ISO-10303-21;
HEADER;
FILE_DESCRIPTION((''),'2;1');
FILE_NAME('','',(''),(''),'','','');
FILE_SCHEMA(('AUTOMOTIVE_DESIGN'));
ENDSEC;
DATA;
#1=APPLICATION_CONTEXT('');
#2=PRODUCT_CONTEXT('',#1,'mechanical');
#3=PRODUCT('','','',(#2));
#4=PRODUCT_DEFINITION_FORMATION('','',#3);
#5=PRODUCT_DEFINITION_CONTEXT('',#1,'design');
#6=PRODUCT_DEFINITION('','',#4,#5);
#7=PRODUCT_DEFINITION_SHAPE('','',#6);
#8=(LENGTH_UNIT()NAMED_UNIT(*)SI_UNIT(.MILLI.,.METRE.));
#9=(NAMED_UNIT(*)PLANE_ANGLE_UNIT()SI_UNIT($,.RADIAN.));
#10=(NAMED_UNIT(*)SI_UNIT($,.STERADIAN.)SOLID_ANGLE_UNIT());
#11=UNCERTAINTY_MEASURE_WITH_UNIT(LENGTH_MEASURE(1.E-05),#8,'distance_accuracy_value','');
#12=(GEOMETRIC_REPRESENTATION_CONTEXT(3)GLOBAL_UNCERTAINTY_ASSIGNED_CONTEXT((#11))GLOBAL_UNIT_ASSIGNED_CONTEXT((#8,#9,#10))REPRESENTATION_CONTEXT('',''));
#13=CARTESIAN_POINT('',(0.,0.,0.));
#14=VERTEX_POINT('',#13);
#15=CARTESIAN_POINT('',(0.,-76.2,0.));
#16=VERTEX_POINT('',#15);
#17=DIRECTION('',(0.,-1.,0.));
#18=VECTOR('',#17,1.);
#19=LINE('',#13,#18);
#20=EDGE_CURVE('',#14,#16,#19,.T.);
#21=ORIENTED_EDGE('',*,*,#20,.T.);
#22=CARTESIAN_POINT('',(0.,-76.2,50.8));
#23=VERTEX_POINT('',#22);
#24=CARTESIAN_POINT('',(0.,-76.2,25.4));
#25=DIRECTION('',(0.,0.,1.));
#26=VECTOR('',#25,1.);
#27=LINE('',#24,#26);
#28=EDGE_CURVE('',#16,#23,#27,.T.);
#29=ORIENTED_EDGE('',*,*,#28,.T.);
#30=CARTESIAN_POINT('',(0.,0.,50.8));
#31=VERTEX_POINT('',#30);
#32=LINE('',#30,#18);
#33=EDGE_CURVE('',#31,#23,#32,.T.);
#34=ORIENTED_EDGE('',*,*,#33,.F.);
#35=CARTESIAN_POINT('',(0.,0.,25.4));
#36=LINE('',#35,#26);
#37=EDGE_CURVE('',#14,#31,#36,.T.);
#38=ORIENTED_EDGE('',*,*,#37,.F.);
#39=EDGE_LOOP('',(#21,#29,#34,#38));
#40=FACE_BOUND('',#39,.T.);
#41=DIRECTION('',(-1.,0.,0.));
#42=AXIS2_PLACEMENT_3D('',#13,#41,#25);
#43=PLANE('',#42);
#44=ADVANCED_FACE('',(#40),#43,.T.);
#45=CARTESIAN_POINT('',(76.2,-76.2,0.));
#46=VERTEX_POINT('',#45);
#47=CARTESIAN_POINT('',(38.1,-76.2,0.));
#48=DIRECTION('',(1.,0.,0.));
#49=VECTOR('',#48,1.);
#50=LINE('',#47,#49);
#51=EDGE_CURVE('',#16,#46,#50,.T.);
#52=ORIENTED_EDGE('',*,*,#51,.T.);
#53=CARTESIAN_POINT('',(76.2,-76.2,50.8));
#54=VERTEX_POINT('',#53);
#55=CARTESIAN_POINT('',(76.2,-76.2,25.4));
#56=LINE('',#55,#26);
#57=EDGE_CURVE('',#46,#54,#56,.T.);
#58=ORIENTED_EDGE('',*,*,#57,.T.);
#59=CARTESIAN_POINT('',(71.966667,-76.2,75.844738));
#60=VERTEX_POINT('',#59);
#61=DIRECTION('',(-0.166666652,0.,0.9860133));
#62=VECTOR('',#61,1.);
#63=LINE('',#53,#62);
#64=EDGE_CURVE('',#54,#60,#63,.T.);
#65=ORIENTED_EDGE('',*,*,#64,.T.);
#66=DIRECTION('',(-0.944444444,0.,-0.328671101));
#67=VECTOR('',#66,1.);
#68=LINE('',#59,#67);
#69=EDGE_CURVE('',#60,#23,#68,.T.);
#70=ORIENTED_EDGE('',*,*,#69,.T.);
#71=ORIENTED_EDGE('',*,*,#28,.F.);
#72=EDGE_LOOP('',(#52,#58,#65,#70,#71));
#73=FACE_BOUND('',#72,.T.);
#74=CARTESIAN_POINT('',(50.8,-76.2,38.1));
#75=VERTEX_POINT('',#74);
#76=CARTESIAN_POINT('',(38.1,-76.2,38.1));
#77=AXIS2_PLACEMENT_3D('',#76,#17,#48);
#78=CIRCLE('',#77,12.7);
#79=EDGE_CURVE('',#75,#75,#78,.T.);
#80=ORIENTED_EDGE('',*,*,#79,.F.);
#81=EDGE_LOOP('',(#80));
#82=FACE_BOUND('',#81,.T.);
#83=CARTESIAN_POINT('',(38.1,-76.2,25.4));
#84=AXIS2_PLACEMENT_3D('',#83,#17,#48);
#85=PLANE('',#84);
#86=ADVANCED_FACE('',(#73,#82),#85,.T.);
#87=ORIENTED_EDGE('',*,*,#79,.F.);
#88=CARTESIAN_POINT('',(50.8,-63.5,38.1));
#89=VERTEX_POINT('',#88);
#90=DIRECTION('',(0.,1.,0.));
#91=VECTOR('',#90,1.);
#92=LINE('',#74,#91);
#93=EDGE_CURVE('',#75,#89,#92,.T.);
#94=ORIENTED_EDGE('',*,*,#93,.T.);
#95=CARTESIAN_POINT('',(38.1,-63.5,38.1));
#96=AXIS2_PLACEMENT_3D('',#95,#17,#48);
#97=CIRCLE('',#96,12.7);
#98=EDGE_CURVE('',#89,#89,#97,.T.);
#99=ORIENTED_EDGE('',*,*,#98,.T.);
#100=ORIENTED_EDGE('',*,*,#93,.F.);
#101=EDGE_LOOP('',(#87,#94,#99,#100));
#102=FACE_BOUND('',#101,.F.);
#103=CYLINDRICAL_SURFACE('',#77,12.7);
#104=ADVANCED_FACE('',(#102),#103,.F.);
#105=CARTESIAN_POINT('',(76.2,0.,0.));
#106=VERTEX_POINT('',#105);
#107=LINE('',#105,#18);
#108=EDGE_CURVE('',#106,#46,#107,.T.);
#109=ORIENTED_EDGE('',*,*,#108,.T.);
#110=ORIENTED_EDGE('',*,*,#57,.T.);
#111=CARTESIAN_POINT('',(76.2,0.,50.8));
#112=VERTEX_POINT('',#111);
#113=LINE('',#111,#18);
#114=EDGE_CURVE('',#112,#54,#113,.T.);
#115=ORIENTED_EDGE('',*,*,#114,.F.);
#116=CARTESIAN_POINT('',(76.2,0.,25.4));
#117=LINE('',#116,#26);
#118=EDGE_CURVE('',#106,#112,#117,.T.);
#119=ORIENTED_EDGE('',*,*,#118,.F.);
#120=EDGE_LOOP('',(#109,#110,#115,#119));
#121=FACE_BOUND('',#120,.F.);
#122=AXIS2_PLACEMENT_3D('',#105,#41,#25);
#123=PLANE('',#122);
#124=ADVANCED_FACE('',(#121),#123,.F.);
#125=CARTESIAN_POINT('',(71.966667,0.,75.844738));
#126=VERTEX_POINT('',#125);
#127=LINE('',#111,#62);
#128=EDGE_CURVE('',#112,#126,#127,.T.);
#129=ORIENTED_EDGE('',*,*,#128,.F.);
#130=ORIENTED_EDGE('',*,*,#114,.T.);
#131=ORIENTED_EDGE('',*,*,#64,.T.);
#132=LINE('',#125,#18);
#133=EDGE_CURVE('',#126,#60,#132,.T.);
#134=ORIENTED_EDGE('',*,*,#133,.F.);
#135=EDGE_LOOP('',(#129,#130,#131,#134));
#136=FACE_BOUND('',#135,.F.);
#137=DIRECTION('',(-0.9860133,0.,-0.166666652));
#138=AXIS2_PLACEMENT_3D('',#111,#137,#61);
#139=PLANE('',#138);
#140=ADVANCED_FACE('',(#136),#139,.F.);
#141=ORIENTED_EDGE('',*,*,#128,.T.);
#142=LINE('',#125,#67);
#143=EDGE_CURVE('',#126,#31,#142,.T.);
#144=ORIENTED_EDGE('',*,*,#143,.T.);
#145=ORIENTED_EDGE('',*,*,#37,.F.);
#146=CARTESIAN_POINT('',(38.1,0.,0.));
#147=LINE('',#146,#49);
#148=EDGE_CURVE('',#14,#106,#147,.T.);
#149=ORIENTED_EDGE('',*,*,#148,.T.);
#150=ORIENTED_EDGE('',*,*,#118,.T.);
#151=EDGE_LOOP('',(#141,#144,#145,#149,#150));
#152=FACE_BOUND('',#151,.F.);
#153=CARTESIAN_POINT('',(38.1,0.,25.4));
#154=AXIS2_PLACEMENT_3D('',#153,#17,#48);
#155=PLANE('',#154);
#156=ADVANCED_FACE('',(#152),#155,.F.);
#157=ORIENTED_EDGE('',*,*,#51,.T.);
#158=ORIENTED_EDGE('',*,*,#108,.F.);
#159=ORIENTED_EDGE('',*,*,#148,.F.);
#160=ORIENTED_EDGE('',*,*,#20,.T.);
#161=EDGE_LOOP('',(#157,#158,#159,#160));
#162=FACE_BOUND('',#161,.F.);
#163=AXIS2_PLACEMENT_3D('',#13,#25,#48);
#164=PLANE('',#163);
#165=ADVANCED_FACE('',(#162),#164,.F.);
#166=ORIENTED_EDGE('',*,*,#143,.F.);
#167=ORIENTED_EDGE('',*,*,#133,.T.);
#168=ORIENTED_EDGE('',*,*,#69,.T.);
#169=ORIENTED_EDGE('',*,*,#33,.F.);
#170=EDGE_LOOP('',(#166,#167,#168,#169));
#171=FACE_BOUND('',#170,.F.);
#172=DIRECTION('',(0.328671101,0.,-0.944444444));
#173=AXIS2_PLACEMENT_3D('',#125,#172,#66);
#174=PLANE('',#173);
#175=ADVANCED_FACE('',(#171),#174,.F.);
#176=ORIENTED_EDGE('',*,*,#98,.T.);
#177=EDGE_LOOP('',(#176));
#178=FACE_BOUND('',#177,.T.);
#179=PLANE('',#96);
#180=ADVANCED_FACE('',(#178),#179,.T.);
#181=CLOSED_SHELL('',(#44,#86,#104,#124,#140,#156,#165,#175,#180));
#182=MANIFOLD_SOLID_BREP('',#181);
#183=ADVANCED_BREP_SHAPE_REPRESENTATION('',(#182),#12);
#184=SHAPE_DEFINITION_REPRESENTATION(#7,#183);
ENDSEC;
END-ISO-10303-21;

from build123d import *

# Parameters (mm, degrees)
F0_W     = 76.2
F0_H     = 50.8
F1_DEPTH = 76.2
F2_R     = 12.7
F3_DEPTH = 12.7


with BuildPart() as f1:
    # F0 (on Front) → F1 (new body)
    with BuildSketch(Plane.XZ):
        with Locations((38.1, 25.4)):
            Rectangle(F0_W, F0_H)
        Polygon((71.966667, 75.844738), (0, 50.8), (76.2, 50.8), align=None)
    extrude(amount=F1_DEPTH)

    # F2 (on face) → F3 (cut)
    with BuildSketch(Plane.XZ.offset(76.2)):
        with Locations((38.1, 38.1)):
            Circle(F2_R)
    extrude(amount=-F3_DEPTH, mode=Mode.SUBTRACT)


solid = f1.part
